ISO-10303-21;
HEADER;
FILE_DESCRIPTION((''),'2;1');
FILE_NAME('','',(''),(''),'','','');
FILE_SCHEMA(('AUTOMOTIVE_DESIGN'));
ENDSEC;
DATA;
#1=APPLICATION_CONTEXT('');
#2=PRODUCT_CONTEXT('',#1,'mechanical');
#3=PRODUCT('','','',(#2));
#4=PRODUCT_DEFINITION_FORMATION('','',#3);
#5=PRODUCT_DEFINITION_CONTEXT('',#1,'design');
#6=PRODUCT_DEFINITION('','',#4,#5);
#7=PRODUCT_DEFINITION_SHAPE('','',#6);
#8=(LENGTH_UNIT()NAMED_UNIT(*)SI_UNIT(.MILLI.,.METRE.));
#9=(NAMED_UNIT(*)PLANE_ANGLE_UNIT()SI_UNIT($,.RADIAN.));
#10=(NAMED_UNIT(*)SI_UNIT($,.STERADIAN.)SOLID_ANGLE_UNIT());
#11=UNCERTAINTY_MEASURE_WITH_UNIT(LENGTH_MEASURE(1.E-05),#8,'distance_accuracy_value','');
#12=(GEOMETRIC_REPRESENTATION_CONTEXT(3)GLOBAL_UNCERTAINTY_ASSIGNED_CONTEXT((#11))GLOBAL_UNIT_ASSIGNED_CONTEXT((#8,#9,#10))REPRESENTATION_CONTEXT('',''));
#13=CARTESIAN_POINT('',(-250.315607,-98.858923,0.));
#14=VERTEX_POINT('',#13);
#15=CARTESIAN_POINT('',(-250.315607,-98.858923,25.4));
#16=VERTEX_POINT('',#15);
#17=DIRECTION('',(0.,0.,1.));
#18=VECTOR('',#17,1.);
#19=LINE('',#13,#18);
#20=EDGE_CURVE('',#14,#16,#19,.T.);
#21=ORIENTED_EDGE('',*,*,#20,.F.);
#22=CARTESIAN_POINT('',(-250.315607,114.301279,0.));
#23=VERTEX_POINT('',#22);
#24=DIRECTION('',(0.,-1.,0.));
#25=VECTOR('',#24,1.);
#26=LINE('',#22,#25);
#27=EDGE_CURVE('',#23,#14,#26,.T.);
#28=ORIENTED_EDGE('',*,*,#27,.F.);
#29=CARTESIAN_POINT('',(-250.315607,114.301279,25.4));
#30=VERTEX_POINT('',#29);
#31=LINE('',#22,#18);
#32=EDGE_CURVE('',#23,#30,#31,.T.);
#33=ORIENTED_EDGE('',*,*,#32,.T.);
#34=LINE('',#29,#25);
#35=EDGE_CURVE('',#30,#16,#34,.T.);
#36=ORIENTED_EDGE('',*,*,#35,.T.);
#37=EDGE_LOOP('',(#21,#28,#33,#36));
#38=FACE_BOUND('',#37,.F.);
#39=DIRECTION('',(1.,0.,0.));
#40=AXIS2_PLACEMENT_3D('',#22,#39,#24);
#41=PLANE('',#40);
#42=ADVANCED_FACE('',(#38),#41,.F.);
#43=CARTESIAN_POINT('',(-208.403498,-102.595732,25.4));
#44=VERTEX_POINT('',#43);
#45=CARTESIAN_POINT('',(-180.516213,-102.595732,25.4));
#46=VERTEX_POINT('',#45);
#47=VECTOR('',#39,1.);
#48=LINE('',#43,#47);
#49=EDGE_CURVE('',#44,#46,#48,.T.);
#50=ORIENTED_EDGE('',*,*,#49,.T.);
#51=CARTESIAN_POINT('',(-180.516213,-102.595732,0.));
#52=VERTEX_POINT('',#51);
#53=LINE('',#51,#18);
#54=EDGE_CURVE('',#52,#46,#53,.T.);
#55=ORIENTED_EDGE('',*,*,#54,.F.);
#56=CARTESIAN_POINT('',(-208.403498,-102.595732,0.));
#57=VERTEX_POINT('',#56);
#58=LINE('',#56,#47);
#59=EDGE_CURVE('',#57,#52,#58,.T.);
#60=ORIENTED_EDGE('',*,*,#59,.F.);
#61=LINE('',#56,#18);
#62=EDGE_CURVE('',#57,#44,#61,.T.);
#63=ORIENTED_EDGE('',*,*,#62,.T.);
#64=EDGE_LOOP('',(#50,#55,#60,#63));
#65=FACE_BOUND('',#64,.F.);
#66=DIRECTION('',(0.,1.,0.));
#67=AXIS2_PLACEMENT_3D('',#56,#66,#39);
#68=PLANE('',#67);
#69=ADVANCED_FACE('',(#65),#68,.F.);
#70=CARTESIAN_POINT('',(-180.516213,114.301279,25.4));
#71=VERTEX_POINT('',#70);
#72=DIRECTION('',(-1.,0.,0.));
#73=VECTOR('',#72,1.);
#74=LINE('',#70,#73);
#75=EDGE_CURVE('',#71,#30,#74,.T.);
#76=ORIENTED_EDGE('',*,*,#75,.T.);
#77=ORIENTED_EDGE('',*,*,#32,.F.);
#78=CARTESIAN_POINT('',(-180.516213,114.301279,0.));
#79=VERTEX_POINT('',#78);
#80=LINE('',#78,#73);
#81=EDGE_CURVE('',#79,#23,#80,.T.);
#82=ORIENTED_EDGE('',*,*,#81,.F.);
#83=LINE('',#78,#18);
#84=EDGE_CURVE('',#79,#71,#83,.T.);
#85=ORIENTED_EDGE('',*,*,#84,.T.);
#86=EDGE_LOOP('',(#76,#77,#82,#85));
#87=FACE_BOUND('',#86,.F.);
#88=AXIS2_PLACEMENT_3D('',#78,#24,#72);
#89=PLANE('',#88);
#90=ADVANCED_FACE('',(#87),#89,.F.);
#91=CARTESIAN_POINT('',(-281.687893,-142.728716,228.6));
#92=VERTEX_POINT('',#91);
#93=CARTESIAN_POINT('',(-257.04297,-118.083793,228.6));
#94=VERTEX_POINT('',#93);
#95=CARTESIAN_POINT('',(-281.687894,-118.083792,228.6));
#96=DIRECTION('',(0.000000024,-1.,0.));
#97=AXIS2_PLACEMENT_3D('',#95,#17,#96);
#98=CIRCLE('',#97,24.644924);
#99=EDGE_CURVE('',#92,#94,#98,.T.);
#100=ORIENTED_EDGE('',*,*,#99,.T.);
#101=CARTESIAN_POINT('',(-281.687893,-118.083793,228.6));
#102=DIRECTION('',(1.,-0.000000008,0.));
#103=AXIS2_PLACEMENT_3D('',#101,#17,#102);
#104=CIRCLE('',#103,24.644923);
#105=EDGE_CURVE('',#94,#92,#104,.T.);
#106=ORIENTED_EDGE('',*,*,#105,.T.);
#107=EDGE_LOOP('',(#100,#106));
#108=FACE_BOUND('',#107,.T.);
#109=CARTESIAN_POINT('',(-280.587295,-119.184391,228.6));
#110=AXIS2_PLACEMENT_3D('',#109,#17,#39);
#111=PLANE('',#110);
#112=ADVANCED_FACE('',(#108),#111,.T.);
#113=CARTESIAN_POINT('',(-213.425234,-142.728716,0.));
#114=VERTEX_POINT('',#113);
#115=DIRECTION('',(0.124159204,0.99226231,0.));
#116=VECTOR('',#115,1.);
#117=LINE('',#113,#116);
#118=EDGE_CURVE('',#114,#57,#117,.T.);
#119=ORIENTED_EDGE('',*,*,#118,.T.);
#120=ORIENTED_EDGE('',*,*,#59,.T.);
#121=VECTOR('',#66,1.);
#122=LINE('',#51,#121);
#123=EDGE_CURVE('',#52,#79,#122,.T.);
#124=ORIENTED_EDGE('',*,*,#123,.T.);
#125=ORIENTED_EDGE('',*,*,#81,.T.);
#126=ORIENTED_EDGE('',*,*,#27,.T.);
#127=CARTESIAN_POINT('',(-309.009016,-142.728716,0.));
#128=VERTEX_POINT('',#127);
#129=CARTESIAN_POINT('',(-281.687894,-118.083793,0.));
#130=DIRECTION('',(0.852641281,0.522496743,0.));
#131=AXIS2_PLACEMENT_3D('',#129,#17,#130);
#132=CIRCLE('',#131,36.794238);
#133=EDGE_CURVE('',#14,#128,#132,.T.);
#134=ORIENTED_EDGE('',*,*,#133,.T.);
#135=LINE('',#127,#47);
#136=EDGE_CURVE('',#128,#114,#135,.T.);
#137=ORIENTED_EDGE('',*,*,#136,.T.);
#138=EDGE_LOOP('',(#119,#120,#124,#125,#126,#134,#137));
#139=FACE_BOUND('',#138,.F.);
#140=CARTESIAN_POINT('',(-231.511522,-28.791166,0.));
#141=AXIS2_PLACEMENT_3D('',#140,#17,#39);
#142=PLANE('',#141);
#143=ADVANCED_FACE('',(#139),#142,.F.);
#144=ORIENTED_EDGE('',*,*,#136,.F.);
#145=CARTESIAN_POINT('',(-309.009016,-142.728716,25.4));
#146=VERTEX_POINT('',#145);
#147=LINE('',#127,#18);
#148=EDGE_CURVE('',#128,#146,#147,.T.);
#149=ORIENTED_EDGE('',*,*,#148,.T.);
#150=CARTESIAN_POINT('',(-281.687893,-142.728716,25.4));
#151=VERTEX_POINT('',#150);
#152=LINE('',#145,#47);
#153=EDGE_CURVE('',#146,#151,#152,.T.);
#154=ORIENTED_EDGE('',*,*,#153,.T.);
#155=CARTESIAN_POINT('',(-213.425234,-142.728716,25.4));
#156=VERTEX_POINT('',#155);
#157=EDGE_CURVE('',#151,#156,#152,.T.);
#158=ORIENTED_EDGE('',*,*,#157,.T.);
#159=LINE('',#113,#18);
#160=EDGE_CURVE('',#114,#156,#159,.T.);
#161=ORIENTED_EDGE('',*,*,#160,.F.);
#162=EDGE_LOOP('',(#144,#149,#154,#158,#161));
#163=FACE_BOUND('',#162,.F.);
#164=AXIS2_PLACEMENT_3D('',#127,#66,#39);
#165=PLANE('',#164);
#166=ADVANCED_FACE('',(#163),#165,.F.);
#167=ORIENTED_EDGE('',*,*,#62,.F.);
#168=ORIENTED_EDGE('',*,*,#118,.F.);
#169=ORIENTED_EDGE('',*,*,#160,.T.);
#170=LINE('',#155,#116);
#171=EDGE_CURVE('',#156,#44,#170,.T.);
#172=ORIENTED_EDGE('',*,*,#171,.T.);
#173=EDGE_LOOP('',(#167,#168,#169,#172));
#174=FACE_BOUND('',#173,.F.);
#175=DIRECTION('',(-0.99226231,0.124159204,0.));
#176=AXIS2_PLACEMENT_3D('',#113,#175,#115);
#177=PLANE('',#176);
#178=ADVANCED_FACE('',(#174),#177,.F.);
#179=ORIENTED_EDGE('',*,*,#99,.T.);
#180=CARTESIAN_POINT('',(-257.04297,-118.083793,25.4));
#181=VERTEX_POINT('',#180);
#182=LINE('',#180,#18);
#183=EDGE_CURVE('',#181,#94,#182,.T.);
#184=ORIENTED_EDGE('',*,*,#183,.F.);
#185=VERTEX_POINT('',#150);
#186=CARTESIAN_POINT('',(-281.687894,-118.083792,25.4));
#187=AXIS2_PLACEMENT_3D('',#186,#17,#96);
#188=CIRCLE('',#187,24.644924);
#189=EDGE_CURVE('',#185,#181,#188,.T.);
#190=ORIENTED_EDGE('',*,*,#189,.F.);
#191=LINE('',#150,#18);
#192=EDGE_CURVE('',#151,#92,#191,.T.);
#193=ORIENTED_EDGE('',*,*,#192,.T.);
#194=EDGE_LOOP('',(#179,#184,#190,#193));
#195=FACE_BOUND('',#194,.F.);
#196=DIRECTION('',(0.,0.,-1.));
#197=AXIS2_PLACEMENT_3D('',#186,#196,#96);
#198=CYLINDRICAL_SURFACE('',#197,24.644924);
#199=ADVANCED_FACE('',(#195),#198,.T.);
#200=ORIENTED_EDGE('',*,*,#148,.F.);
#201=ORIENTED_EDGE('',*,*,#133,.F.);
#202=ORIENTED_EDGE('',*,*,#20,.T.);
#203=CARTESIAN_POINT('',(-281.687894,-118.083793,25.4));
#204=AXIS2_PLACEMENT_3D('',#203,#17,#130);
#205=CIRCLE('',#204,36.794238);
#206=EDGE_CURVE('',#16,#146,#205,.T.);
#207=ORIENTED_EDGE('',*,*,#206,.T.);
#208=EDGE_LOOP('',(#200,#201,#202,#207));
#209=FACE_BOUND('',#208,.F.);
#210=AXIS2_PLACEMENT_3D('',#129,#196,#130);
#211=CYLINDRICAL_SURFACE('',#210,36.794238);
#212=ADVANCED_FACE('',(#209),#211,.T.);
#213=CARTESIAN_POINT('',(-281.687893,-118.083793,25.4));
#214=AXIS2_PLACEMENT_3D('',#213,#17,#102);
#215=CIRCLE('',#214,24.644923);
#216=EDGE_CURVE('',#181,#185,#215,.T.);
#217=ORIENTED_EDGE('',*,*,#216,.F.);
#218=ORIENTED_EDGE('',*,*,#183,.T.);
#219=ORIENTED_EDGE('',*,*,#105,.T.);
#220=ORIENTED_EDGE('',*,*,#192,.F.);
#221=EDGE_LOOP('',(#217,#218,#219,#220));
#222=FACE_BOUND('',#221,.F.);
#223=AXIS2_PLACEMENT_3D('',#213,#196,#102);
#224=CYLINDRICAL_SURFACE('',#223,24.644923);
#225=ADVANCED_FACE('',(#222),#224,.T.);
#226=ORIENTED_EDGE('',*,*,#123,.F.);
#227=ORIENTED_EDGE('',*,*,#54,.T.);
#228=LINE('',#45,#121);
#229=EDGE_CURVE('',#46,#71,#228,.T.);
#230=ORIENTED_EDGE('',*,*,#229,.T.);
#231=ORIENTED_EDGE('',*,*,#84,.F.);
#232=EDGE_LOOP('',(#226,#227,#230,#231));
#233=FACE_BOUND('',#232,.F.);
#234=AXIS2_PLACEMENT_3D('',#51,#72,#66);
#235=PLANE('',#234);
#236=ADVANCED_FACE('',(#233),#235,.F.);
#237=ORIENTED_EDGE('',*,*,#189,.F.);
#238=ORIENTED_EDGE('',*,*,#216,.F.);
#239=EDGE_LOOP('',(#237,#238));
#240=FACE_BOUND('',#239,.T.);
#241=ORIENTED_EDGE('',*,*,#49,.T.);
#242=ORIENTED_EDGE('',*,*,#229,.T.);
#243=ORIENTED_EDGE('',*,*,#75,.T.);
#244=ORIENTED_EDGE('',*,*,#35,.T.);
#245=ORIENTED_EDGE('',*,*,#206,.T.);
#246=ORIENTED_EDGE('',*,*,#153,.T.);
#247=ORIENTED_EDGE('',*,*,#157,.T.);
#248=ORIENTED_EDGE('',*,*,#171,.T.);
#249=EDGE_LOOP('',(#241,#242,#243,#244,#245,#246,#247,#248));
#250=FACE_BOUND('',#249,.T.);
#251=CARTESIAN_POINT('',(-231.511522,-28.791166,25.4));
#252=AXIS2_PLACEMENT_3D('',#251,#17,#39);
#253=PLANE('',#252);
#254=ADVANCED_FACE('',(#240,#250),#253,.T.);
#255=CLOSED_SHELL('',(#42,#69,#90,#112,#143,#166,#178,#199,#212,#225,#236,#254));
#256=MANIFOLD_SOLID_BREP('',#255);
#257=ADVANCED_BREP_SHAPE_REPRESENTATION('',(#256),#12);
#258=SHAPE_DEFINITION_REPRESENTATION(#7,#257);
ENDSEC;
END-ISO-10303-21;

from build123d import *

# Parameters (mm, degrees)
F1_DEPTH = 25.4
F3_DEPTH = 203.2


with BuildPart() as f1:
    # F0 (on Top) → F1 (new body)
    with BuildSketch(Plane.XY):
        with BuildLine():
            Line((-250.315607, 114.301279), (-250.315607, -98.858923))
            ThreePointArc((-250.315607, -98.858923), (-303.716118, -88.612225), (-309.009016, -142.728716))
            Line((-309.009016, -142.728716), (-213.425234, -142.728716))
            Line((-213.425234, -142.728716), (-208.403498, -102.595732))
            Line((-208.403498, -102.595732), (-180.516213, -102.595732))
            Line((-180.516213, -102.595732), (-180.516213, 114.301279))
            Line((-180.516213, 114.301279), (-250.315607, 114.301279))
        make_face()
    extrude(amount=F1_DEPTH)

    # F2 (on face) → F3 (join)
    with BuildSketch(Plane.XY.offset(25.4)):
        with BuildLine():
            ThreePointArc((-281.687893, -142.728716), (-264.261301, -135.510385), (-257.04297, -118.083793))
            ThreePointArc((-257.04297, -118.083793), (-299.114485, -100.6572), (-281.687893, -142.728716))
        make_face()
    extrude(amount=F3_DEPTH)


solid = f1.part
